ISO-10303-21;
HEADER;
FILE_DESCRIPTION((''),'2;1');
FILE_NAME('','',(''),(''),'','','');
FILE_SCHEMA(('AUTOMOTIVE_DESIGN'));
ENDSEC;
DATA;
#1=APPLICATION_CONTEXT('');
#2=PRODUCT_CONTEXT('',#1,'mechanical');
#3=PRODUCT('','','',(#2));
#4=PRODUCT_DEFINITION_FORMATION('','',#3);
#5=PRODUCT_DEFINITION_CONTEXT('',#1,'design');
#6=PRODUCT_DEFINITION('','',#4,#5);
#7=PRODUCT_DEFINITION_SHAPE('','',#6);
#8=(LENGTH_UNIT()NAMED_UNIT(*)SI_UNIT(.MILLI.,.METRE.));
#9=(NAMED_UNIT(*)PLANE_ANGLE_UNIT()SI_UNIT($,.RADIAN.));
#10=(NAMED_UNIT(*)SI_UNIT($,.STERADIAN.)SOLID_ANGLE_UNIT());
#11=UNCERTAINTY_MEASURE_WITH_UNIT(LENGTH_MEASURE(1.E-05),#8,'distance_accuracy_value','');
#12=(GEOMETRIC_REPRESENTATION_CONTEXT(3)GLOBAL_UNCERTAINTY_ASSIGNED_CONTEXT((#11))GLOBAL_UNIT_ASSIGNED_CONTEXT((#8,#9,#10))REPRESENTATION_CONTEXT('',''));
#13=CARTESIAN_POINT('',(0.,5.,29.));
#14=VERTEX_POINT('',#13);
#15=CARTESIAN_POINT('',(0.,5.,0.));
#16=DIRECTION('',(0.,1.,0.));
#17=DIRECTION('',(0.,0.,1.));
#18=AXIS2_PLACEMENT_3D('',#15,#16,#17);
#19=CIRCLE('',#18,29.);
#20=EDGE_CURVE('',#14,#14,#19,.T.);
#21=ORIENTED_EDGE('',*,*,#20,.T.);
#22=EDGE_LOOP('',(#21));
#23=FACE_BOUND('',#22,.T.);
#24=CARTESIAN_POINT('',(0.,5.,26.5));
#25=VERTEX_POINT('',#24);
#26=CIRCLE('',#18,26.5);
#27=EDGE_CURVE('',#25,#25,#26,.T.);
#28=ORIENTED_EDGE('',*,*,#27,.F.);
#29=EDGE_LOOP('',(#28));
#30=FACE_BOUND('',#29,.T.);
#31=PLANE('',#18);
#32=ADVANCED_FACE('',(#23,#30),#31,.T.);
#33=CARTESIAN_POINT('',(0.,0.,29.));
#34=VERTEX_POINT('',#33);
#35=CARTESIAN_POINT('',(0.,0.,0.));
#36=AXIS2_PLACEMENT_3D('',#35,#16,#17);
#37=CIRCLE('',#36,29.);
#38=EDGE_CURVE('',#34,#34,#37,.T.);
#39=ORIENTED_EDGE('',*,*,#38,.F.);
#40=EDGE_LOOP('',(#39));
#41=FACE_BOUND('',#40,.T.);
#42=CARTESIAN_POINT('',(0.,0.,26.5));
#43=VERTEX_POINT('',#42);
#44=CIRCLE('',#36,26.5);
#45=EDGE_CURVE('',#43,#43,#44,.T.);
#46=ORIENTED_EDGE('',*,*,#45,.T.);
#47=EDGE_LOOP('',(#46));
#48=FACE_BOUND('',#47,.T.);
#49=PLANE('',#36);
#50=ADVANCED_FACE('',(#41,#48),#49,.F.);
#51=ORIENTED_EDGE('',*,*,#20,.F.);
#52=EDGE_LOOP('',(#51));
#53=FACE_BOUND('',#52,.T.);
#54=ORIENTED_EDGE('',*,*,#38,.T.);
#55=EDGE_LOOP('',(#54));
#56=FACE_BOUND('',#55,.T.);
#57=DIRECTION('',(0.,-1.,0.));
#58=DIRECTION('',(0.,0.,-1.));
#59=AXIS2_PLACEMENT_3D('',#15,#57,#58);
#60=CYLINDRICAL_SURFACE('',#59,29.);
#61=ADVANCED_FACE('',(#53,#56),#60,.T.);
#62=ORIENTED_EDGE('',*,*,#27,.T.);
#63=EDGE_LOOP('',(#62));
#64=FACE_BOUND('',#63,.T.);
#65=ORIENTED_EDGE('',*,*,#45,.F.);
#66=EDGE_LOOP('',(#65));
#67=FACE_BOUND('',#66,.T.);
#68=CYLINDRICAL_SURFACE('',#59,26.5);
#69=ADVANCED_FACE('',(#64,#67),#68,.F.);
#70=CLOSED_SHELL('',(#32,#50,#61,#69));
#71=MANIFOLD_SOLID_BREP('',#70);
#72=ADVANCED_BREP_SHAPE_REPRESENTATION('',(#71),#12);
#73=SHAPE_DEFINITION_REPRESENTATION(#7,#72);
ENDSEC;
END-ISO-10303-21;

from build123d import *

# Parameters (mm, degrees)
SKETCH1_R           = 29
SKETCH1_R_2         = 26.5
BOSS_EXTRUDE1_DEPTH = 5


with BuildPart() as part:
    # Sketch1 → Boss-Extrude1 (new body)
    with BuildSketch(Plane(origin=(0, 0, 0), x_dir=(1, 0, 0), z_dir=(0, 1, 0))):
        Circle(SKETCH1_R)
        Circle(SKETCH1_R_2, mode=Mode.SUBTRACT)
    extrude(amount=BOSS_EXTRUDE1_DEPTH)


solid = part.part
